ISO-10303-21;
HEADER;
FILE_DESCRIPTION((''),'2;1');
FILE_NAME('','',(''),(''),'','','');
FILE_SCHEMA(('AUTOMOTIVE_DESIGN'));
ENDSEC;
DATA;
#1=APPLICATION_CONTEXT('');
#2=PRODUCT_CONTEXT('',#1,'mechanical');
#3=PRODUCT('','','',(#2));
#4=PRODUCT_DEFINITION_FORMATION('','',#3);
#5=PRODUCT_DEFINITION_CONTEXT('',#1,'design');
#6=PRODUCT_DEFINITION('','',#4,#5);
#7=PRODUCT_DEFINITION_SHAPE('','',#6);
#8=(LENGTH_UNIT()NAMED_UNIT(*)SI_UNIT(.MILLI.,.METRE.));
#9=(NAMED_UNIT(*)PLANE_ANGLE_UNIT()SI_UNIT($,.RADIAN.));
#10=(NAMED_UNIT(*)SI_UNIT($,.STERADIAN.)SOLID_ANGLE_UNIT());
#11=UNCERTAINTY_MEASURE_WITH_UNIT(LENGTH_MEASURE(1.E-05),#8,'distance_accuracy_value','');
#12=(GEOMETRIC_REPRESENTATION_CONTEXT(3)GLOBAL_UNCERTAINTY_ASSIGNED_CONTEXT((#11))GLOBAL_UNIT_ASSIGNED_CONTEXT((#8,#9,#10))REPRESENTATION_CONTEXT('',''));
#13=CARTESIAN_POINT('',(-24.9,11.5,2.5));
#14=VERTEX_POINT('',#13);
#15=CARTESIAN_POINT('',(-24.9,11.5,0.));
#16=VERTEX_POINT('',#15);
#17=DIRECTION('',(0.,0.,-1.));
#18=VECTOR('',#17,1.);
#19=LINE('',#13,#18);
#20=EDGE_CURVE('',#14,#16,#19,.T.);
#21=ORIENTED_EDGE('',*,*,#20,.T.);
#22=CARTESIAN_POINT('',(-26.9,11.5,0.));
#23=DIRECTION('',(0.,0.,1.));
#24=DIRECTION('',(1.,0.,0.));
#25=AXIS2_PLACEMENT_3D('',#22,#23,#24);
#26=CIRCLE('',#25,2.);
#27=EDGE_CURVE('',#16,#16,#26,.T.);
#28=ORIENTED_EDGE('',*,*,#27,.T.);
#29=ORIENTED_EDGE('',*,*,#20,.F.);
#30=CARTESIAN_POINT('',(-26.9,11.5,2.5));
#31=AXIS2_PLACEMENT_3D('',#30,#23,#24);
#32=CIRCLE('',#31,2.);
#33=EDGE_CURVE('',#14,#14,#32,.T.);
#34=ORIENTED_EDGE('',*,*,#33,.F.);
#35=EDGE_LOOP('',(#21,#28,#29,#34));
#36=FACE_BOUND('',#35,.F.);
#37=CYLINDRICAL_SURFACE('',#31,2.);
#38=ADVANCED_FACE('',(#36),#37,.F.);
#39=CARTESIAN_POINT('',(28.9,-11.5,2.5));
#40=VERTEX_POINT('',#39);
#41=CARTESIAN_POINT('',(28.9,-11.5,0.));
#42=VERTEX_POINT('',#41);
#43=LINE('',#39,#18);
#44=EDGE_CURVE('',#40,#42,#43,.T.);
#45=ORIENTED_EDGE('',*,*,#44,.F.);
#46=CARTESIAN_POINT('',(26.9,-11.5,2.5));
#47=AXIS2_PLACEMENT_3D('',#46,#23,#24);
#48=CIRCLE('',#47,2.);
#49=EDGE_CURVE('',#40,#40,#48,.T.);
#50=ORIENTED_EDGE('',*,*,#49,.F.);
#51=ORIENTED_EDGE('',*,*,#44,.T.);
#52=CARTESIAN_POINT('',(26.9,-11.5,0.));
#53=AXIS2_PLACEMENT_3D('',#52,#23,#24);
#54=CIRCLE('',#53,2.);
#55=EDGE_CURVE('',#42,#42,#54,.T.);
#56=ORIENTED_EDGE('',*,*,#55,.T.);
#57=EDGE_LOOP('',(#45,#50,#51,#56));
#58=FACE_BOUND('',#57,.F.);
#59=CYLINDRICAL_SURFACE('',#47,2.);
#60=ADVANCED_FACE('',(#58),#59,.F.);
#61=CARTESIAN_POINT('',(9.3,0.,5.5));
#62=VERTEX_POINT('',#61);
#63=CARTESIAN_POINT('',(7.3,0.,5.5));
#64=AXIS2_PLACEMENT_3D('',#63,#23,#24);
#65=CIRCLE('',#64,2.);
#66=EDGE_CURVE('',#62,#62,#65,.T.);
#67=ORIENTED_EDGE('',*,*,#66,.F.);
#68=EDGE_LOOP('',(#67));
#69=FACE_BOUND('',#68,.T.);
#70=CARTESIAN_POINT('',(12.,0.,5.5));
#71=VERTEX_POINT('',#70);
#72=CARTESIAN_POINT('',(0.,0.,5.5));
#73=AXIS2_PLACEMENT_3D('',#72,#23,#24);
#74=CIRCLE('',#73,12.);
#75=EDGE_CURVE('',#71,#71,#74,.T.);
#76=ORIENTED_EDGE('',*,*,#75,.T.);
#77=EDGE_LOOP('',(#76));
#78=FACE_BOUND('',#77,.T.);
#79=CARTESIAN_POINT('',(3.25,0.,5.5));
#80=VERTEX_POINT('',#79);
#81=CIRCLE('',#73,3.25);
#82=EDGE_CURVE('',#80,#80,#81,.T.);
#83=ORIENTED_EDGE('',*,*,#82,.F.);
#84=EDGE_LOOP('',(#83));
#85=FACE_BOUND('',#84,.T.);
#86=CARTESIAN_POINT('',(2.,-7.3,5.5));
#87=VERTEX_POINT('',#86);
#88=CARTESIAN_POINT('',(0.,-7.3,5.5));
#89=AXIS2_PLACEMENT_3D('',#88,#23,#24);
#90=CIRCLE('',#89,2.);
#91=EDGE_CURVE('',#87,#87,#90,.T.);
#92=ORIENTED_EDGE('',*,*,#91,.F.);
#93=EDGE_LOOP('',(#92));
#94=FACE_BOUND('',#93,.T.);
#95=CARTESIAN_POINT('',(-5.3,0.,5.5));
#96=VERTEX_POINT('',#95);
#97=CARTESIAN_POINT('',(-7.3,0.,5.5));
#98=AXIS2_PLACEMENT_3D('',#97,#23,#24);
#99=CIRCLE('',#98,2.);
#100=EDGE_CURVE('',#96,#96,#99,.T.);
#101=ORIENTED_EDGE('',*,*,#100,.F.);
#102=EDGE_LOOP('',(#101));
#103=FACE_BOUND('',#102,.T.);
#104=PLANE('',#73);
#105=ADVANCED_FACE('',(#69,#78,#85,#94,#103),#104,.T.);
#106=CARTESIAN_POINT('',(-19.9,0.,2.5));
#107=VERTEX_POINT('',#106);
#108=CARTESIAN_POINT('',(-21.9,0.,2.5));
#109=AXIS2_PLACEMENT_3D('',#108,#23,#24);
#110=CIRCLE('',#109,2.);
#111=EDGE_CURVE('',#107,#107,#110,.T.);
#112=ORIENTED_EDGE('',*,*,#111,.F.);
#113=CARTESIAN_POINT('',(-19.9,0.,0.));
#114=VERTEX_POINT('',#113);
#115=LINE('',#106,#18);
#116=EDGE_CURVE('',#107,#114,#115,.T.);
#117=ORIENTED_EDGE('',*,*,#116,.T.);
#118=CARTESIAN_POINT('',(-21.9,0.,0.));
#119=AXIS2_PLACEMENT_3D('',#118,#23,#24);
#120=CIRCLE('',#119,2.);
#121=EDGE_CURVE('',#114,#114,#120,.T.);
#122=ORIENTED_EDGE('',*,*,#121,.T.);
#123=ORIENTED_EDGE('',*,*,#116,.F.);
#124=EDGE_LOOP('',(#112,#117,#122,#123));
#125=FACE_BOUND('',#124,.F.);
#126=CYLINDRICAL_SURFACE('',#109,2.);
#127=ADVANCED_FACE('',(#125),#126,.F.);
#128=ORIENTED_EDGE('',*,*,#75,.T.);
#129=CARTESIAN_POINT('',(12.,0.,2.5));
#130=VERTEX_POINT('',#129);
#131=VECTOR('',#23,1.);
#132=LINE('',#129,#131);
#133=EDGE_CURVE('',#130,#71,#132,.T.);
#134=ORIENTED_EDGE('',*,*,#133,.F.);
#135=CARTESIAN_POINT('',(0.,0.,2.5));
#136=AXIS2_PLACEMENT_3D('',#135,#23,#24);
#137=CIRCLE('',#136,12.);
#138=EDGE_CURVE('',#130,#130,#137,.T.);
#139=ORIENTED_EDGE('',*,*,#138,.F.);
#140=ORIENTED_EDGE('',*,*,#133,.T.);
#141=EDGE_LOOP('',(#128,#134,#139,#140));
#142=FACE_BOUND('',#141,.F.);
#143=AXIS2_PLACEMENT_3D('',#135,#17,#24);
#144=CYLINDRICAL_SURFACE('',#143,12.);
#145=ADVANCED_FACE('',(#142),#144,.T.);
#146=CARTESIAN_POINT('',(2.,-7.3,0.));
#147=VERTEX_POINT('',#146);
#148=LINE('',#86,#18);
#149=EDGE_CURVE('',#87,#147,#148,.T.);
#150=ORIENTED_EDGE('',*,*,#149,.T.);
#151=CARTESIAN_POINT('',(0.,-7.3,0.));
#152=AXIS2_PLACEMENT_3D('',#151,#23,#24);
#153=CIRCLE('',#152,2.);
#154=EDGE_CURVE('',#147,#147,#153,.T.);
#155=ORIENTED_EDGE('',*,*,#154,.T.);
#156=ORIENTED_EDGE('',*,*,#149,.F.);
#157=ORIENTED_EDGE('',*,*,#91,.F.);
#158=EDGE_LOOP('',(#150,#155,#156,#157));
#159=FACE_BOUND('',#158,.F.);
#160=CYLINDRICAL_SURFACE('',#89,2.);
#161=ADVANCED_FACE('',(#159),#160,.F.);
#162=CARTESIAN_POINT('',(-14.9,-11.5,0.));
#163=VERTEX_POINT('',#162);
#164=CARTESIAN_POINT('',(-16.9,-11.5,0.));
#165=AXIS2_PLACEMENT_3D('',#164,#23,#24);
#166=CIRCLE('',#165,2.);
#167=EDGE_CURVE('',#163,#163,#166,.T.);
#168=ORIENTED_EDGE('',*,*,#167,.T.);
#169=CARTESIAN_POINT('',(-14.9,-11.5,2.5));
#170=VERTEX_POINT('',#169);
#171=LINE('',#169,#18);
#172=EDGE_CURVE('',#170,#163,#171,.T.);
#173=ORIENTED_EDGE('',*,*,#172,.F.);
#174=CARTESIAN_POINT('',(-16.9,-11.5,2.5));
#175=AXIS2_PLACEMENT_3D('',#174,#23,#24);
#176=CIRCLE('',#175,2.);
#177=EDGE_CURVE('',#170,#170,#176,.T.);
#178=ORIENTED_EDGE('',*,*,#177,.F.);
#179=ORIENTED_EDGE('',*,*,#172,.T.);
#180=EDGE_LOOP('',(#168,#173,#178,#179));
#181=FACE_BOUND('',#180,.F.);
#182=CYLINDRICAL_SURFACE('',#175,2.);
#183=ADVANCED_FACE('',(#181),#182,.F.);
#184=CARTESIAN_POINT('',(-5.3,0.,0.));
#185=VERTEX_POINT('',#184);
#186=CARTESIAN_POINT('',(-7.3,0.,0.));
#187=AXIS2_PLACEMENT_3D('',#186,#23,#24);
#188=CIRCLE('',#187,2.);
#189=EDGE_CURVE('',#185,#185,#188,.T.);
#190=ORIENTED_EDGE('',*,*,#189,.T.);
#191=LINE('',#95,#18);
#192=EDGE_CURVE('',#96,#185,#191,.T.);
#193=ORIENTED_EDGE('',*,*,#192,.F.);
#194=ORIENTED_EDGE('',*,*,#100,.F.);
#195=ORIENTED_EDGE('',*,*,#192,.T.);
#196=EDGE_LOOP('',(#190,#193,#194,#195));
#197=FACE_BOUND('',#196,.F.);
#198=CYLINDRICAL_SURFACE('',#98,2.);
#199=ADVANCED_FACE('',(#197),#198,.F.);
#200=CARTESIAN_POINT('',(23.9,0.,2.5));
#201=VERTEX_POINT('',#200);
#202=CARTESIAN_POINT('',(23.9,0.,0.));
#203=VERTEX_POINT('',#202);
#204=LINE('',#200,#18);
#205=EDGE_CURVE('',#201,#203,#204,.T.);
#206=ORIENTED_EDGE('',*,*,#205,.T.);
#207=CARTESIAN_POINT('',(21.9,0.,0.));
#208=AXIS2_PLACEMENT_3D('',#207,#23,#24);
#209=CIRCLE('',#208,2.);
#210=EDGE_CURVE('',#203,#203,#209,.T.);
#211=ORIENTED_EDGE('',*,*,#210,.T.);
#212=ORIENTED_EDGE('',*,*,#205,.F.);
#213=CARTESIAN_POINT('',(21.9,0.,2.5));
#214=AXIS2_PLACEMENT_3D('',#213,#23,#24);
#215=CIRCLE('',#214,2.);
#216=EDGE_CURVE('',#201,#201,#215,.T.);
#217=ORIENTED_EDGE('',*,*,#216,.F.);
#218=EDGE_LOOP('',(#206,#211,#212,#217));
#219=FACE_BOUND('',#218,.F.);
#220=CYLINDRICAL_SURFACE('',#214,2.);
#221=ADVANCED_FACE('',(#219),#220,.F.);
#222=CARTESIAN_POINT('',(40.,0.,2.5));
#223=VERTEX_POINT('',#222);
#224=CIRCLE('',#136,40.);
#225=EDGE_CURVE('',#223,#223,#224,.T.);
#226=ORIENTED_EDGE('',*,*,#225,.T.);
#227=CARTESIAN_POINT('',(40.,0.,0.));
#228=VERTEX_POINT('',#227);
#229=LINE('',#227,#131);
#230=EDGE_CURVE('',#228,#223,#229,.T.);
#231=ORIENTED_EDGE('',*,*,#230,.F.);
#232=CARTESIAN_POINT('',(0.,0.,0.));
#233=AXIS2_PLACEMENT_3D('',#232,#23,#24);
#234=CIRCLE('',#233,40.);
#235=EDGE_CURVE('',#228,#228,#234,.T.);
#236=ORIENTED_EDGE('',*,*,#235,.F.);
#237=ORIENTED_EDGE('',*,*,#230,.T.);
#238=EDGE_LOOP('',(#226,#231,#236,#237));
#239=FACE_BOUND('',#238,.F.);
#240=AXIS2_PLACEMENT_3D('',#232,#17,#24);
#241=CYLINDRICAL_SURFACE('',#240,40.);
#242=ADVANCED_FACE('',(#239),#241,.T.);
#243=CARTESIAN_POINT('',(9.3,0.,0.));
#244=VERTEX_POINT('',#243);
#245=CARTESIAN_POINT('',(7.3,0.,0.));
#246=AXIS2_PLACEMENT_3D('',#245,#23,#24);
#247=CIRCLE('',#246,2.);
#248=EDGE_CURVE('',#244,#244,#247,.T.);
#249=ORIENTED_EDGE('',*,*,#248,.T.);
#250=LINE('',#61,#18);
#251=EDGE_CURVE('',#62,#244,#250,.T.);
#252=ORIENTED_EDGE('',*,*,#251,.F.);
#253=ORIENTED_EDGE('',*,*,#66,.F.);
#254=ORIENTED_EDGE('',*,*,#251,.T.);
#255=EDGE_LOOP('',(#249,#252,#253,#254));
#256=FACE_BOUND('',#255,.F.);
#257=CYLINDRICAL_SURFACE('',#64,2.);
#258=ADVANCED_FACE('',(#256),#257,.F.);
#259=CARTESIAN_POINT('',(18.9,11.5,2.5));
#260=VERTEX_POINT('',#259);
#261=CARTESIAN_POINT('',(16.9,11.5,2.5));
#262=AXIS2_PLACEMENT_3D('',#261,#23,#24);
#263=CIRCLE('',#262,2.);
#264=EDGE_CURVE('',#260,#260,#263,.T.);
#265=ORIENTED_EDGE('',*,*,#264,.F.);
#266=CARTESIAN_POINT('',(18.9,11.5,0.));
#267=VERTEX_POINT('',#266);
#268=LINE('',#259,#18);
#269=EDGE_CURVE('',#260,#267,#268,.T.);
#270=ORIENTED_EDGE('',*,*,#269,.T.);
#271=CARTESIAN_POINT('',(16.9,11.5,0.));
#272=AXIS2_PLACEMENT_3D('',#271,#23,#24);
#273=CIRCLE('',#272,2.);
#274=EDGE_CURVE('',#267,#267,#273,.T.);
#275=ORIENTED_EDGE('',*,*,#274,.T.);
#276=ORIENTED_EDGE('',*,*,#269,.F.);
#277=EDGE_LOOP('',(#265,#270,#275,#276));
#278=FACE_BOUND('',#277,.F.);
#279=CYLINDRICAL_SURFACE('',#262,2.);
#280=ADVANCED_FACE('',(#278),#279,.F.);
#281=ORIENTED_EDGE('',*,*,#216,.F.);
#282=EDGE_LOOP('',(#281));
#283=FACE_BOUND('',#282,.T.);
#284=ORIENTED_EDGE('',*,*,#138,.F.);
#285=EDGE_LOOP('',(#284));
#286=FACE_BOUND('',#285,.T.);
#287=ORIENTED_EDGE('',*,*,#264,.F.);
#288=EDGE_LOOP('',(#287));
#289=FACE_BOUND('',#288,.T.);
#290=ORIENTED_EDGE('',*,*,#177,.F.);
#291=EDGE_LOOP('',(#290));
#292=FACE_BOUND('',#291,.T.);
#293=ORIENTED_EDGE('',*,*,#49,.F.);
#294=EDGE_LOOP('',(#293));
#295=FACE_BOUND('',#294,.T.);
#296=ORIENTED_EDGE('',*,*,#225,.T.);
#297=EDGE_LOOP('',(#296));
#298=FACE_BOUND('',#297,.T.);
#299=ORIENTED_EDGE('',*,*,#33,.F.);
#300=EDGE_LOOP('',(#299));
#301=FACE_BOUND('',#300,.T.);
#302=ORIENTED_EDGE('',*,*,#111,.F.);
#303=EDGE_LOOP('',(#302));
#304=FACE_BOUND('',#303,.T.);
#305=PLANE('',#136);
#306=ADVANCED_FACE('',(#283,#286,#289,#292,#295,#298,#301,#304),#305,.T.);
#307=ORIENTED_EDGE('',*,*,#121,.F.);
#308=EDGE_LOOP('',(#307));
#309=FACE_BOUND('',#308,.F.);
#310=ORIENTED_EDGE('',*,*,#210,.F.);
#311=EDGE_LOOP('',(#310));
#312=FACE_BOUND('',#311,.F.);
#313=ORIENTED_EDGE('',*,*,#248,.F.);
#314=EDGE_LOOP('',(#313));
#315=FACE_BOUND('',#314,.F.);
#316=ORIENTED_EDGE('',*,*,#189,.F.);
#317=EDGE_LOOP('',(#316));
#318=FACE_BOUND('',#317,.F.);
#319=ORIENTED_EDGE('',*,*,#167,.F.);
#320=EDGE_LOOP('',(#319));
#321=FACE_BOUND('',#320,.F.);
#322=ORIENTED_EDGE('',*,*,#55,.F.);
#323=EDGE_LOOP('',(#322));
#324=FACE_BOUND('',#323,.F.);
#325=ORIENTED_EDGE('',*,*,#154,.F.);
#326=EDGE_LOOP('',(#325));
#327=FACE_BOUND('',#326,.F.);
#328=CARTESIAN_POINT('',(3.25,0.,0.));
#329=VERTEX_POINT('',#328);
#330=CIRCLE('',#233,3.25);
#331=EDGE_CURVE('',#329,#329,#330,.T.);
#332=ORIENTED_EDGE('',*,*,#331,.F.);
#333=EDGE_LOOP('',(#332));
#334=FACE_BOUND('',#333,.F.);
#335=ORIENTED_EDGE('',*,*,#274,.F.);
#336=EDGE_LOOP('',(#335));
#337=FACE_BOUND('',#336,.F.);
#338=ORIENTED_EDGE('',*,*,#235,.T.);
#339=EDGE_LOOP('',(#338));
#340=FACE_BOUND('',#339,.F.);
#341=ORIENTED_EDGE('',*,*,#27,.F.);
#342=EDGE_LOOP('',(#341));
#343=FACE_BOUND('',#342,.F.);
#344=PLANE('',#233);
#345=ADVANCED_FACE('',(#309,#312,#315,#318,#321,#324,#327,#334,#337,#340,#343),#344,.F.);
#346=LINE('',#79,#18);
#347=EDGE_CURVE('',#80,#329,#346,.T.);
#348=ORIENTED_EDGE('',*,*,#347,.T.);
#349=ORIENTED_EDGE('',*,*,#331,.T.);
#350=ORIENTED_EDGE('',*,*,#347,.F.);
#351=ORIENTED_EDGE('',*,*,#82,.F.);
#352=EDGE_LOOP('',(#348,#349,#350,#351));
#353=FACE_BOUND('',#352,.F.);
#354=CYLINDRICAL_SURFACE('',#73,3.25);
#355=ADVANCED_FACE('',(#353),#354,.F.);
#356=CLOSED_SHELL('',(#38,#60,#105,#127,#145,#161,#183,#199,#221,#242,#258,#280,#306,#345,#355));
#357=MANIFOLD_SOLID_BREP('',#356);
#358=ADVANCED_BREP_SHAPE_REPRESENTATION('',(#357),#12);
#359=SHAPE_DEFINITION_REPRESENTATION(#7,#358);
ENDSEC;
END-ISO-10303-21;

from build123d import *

# Parameters (mm, degrees)
F0_R      = 40
F1_DEPTH  = 2.5
F2_R      = 12
F3_DEPTH  = 3
F4_R      = 2
F5_DEPTH  = 25
F6_R      = 3.25
F7_DEPTH  = 25
F9_R      = 2
F10_DEPTH = 25


with BuildPart() as f1:
    # F0 (on Top) → F1 (new body)
    with BuildSketch(Plane.XY):
        Circle(F0_R)
    extrude(amount=F1_DEPTH)

    # F2 (on face) → F3 (join)
    with BuildSketch(Plane.XY.offset(2.5)):
        Circle(F2_R)
    extrude(amount=F3_DEPTH)

    # F4 (on face) → F5 (cut)
    with BuildSketch(Plane.XY.offset(5.5)):
        with Locations((-7.3, 0)):
            Circle(F4_R)
        with Locations((7.3, 0)):
            Circle(F4_R)
        with Locations((0, -7.3)):
            Circle(F4_R)
    extrude(amount=-F5_DEPTH, mode=Mode.SUBTRACT)

    # F6 (on face) → F7 (cut)
    with BuildSketch(Plane.XY.offset(5.5)):
        Circle(F6_R)
    extrude(amount=-F7_DEPTH, mode=Mode.SUBTRACT)

    # F9 (on face) → F10 (cut)
    with BuildSketch(Plane.XY.offset(2.5)):
        with Locations((21.9, 0)):
            Circle(F9_R)
        with Locations((16.9, 11.5)):
            Circle(F9_R)
        with Locations((26.9, -11.5)):
            Circle(F9_R)
        with Locations((-26.9, 11.5)):
            Circle(F9_R)
        with Locations((-21.9, 0)):
            Circle(F9_R)
        with Locations((-16.9, -11.5)):
            Circle(F9_R)
    extrude(amount=-F10_DEPTH, mode=Mode.SUBTRACT)


solid = f1.part
